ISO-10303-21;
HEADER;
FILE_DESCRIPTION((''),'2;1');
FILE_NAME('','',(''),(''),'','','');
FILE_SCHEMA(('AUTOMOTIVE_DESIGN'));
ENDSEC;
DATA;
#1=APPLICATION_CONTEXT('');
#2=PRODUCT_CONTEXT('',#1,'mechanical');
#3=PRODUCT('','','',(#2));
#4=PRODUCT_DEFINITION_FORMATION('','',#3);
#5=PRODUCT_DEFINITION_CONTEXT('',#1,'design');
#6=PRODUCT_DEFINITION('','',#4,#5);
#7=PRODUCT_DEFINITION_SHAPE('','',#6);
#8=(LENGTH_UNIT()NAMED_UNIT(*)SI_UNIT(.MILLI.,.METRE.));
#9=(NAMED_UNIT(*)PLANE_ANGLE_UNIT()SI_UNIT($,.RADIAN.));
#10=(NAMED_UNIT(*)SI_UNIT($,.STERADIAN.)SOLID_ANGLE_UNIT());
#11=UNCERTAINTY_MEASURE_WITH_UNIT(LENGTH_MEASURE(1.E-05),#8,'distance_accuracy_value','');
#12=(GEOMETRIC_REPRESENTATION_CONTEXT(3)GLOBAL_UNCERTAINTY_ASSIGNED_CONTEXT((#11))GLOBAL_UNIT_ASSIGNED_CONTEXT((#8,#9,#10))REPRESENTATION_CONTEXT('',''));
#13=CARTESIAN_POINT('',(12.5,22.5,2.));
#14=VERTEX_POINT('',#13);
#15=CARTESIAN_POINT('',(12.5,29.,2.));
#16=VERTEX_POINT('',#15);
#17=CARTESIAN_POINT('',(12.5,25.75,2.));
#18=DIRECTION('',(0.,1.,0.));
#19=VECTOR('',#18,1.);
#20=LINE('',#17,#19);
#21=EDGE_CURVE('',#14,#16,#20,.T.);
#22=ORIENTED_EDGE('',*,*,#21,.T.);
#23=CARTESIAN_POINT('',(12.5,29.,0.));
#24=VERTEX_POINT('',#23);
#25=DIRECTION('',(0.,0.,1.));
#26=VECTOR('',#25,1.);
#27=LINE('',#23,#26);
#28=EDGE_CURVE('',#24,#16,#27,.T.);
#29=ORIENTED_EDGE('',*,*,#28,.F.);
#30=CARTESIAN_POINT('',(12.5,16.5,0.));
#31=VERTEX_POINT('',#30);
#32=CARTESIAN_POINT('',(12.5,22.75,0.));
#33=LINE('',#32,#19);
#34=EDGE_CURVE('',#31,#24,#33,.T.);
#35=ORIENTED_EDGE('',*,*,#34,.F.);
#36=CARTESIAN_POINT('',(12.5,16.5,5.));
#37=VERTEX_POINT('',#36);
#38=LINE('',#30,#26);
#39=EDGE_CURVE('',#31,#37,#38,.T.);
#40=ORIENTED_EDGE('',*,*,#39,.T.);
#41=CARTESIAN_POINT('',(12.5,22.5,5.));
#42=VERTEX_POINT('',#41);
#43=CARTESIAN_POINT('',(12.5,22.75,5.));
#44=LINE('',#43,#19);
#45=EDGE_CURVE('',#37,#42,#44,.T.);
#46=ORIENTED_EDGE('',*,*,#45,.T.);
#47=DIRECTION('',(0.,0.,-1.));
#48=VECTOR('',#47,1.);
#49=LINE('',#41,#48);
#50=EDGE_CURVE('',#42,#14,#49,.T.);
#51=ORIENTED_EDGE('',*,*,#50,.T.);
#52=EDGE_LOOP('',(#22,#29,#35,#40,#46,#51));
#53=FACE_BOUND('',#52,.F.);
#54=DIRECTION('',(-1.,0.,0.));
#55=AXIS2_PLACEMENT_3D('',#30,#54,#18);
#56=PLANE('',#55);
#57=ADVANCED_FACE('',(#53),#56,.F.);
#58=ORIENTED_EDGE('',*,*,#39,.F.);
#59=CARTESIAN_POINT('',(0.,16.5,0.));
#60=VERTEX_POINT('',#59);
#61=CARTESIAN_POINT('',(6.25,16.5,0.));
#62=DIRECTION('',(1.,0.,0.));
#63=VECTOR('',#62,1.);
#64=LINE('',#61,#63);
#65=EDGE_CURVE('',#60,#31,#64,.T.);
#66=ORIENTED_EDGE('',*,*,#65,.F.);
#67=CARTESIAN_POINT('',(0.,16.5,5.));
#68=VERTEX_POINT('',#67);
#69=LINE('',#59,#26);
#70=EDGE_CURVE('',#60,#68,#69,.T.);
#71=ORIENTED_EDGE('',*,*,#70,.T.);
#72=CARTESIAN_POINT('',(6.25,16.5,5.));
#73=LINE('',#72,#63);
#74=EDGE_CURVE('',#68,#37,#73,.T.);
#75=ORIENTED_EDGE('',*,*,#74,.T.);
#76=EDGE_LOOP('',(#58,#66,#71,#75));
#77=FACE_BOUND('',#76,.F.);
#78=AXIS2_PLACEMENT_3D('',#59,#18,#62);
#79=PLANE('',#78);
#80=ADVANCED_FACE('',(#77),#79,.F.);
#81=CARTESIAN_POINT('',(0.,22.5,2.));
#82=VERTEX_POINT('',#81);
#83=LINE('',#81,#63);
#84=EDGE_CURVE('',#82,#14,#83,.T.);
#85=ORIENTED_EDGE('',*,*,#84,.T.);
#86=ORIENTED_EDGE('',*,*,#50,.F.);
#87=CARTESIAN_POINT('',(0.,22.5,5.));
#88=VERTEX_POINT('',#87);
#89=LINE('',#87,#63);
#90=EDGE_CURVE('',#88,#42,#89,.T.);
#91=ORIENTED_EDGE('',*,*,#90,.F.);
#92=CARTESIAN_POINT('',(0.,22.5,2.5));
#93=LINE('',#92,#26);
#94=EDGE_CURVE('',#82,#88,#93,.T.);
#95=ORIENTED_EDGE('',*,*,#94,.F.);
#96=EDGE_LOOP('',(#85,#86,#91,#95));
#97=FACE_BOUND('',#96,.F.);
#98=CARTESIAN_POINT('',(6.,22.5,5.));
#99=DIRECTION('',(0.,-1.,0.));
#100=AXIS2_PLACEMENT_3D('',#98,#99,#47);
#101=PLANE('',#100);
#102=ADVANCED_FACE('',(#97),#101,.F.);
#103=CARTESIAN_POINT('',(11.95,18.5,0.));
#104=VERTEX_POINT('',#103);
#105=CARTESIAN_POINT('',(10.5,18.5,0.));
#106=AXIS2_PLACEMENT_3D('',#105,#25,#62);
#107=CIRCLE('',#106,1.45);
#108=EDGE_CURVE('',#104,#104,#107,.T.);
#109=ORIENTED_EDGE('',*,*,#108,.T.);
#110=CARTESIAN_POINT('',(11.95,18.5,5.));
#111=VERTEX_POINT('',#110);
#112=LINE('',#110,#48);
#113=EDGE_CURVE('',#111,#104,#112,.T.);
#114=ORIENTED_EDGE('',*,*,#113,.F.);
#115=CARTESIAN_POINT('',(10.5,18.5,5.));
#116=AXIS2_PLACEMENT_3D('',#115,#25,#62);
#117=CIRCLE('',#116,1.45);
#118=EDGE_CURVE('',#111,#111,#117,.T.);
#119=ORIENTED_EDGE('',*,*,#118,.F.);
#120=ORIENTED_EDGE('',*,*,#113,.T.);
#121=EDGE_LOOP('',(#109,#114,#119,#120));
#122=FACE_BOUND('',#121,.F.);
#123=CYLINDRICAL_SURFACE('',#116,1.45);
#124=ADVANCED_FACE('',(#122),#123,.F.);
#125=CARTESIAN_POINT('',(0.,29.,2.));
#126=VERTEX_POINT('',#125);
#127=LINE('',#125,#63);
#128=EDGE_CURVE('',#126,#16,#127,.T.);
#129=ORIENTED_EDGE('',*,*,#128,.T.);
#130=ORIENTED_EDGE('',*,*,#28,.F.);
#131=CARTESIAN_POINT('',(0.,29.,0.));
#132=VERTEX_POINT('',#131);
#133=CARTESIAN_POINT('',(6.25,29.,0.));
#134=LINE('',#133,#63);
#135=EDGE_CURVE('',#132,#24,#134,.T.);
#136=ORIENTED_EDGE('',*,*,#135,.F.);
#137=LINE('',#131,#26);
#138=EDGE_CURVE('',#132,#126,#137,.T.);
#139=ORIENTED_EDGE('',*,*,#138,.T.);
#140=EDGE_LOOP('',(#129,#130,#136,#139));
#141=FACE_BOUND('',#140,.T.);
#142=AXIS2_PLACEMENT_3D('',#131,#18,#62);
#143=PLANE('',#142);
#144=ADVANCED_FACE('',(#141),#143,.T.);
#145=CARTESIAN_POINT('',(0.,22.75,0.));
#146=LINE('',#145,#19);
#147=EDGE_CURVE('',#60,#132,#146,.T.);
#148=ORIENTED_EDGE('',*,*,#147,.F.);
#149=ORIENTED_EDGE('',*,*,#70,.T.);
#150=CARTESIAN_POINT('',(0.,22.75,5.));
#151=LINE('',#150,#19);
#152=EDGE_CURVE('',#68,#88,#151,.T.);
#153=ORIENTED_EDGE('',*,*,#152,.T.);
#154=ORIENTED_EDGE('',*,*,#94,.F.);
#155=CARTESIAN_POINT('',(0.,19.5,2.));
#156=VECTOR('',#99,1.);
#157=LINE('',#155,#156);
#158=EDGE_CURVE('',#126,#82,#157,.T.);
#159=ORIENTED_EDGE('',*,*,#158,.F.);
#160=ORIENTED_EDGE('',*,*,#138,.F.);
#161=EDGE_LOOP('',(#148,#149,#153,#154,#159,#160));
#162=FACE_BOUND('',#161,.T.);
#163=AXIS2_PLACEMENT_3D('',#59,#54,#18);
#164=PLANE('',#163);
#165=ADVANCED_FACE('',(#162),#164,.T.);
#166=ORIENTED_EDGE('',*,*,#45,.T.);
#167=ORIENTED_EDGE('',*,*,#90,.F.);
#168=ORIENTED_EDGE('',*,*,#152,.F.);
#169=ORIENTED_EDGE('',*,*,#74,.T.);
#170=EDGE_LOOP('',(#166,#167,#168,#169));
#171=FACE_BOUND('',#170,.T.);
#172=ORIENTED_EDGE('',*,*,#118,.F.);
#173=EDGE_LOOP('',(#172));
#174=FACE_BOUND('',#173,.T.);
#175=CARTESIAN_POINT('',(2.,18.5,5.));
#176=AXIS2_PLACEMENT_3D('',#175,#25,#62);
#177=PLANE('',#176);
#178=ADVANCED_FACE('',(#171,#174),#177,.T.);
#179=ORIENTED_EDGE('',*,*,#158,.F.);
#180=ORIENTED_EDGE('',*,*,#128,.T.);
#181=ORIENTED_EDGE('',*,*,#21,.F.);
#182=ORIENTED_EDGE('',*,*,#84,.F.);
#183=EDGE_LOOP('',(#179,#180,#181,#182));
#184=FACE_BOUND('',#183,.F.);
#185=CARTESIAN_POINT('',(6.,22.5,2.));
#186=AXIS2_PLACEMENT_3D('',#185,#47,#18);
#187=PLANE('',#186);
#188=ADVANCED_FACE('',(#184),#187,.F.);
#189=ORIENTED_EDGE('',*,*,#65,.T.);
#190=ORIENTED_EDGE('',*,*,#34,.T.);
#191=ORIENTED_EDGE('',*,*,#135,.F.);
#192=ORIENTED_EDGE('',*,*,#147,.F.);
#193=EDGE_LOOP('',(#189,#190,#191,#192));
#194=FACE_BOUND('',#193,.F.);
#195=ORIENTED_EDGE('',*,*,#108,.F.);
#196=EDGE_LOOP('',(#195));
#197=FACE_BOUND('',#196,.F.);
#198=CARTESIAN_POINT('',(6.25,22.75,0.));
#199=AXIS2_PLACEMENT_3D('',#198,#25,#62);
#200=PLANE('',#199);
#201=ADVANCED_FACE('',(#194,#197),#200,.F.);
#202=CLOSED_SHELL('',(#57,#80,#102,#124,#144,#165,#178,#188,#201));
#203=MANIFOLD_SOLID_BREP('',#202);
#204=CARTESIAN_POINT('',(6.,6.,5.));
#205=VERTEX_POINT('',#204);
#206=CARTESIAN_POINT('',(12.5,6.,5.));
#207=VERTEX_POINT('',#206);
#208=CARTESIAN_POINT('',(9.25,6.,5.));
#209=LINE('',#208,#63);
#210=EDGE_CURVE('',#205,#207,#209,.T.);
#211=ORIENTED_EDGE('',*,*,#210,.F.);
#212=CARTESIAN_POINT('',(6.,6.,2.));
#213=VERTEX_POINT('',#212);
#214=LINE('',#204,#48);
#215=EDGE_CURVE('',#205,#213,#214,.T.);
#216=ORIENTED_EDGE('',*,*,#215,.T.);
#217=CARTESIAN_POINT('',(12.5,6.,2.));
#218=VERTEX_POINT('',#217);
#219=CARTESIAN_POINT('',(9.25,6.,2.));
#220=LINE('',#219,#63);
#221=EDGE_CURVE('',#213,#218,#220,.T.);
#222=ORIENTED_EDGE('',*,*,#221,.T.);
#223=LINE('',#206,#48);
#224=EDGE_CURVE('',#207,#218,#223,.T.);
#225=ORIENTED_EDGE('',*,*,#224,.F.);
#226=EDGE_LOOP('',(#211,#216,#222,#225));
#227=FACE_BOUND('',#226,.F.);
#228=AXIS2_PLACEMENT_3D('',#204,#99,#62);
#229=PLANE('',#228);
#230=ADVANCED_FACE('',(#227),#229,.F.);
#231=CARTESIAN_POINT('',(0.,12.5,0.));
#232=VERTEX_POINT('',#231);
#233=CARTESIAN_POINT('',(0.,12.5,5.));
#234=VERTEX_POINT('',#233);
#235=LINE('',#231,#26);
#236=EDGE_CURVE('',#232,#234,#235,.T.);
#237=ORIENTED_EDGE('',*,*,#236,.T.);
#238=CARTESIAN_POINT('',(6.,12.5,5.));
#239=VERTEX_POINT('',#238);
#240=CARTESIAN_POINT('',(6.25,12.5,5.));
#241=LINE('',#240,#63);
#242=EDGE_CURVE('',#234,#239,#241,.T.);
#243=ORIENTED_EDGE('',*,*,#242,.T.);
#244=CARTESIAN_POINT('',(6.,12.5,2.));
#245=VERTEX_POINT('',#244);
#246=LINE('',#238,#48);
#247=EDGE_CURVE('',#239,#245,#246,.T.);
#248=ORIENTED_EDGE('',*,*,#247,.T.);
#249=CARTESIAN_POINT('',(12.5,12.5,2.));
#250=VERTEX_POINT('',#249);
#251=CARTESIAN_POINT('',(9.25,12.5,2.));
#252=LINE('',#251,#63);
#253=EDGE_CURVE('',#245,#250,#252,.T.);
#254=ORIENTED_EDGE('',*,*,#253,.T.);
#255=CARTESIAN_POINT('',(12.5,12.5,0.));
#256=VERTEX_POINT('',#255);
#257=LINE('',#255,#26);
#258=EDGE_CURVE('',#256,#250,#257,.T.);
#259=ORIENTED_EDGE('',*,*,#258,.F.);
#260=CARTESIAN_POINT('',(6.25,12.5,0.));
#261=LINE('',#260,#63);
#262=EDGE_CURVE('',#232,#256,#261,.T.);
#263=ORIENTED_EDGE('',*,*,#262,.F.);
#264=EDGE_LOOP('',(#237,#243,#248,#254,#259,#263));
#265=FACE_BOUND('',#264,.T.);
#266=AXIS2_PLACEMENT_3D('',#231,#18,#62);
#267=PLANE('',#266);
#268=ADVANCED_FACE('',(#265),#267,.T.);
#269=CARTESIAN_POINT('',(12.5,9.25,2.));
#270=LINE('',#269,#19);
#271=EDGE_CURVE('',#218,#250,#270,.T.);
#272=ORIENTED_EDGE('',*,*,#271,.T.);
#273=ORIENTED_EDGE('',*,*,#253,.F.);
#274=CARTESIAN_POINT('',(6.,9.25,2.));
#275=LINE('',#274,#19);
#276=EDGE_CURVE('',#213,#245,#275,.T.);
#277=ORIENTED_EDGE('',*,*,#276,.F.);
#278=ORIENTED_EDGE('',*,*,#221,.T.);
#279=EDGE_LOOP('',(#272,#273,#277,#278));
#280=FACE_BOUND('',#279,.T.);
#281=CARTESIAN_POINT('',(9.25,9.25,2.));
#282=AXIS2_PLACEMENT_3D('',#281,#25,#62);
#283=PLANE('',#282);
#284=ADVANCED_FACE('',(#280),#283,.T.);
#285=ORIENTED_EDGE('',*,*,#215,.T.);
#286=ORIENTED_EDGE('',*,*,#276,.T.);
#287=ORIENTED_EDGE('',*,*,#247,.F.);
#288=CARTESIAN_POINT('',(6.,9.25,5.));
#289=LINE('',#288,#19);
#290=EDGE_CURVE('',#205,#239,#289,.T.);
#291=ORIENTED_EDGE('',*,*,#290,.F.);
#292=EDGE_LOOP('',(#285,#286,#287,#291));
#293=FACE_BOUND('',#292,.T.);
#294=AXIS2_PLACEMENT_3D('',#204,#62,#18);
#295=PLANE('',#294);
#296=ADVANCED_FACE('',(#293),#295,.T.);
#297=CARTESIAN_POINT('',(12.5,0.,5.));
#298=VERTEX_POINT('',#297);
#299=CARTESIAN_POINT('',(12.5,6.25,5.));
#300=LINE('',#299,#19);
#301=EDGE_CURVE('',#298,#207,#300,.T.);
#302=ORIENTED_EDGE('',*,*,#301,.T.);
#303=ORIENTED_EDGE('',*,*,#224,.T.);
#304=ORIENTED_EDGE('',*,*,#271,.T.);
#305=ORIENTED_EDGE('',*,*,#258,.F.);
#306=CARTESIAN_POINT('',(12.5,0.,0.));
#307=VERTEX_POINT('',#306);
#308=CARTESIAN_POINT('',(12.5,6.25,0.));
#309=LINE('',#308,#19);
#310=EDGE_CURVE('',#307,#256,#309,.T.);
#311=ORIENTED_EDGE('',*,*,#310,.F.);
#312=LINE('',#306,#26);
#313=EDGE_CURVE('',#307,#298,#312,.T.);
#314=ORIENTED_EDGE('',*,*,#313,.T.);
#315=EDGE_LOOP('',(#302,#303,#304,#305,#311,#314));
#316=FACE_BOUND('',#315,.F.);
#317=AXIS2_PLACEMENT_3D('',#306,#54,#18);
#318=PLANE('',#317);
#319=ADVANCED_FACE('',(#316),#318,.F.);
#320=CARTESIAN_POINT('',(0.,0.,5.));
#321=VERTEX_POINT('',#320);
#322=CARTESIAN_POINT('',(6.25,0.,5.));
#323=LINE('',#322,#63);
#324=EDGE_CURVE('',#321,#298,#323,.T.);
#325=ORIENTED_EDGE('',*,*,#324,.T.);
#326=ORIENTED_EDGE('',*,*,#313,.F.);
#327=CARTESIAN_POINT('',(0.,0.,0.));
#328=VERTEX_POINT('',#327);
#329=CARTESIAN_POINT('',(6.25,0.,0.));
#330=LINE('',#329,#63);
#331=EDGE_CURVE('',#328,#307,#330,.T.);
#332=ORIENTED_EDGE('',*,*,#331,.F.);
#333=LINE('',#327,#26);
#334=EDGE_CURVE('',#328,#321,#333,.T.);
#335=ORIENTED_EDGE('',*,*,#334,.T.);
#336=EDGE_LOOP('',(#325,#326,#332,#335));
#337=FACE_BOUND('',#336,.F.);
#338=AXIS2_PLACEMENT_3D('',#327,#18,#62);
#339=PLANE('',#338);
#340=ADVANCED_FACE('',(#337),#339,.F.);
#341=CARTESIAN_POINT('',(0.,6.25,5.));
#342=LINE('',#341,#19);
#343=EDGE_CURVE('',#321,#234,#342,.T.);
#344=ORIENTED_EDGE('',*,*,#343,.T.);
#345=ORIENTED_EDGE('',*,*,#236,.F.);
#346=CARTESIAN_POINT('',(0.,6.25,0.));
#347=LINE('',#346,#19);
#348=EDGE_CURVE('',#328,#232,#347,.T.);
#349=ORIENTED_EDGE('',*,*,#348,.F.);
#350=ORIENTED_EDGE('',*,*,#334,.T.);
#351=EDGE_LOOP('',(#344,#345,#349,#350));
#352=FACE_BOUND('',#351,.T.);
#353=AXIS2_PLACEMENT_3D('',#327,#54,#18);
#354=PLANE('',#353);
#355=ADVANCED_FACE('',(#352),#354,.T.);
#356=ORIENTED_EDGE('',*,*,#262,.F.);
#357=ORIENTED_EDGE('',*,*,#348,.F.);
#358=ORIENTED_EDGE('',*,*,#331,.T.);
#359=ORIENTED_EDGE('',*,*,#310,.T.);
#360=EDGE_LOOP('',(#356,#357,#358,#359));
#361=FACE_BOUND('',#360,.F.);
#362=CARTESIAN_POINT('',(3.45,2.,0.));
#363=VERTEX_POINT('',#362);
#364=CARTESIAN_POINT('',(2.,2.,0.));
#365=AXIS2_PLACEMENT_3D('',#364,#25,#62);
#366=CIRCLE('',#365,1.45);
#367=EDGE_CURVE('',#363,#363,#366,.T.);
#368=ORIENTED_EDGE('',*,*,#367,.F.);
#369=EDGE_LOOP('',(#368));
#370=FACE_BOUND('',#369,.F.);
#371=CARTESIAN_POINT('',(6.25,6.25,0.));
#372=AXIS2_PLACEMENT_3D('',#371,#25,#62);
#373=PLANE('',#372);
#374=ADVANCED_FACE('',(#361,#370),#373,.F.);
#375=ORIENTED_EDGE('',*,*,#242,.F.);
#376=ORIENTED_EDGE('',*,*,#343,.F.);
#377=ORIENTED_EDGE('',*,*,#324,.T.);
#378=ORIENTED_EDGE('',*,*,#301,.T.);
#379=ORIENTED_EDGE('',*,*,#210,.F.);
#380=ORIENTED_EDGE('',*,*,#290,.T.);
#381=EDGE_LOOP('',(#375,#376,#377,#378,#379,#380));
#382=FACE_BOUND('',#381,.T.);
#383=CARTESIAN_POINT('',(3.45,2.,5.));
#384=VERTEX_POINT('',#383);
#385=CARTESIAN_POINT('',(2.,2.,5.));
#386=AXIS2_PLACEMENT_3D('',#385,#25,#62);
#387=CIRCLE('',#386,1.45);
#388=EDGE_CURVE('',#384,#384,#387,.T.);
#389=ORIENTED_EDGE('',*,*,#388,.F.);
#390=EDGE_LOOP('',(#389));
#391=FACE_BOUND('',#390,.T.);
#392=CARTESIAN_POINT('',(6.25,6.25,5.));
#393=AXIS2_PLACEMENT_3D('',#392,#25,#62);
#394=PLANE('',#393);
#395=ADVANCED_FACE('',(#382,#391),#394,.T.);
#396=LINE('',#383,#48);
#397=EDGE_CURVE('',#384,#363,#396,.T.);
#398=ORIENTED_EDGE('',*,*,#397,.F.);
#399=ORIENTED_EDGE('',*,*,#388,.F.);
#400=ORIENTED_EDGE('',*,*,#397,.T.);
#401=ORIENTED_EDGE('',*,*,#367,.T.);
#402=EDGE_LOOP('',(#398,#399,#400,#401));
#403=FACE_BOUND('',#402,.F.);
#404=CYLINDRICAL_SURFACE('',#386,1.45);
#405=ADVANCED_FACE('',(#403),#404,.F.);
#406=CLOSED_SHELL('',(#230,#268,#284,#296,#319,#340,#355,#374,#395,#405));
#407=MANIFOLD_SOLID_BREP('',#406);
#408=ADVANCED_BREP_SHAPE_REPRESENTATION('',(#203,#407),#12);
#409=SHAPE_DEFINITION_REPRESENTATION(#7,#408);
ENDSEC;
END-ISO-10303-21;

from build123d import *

# Parameters (mm, degrees)
F0_W      = 12.5
F0_H      = 12.5
F1_DEPTH  = 5
F2_W      = 6.5
F2_H      = 6.5
F3_DEPTH  = 3
F4_R      = 1.45
F5_DEPTH  = 5.001
F7_DEPTH  = 6.001
F8_R      = 1.45
F9_DEPTH  = 5
F10_DEPTH = 5.001


with BuildPart() as f1:
    # F0 (on Top) → F1 (new body)
    with BuildSketch(Plane.XY):
        with Locations((6.25, 6.25)):
            Rectangle(F0_W, F0_H)
    extrude(amount=F1_DEPTH)

    # F2 (on face) → F3 (cut)
    with BuildSketch(Plane.XY.offset(5)):
        with Locations((9.25, 9.25)):
            Rectangle(F2_W, F2_H)
    extrude(amount=-F3_DEPTH, mode=Mode.SUBTRACT)

    # F4 (on face) → F5 (cut, through all)
    with BuildSketch(Plane.XY.offset(5)):
        with Locations((2, 2)):
            Circle(F4_R)
    extrude(amount=-F5_DEPTH, mode=Mode.SUBTRACT)


with BuildPart() as f6_1:
    # F6: copy of F1
    add(f1.part.moved(Location((0, 16.5, 0))))

    # F7 (cut, through all): a face of the model
    f7_faces = [f6_1.faces().sort_by_distance(p)[0] for p in [
        (6, 25.75, 3.5),
    ]]
    extrude(f7_faces, amount=-F7_DEPTH, mode=Mode.SUBTRACT)

    # F8 (on face) → F9 (join)
    with BuildSketch(Plane.XY.offset(5)):
        with Locations((2, 18.5)):
            Circle(F8_R)
    extrude(amount=-F9_DEPTH)

    # F8 (on face) → F10 (cut, through all)
    with BuildSketch(Plane.XY.offset(5)):
        with Locations((10.5, 18.5)):
            Circle(F8_R)
    extrude(amount=-F10_DEPTH, mode=Mode.SUBTRACT)


solid = Compound([f1.part, f6_1.part])
